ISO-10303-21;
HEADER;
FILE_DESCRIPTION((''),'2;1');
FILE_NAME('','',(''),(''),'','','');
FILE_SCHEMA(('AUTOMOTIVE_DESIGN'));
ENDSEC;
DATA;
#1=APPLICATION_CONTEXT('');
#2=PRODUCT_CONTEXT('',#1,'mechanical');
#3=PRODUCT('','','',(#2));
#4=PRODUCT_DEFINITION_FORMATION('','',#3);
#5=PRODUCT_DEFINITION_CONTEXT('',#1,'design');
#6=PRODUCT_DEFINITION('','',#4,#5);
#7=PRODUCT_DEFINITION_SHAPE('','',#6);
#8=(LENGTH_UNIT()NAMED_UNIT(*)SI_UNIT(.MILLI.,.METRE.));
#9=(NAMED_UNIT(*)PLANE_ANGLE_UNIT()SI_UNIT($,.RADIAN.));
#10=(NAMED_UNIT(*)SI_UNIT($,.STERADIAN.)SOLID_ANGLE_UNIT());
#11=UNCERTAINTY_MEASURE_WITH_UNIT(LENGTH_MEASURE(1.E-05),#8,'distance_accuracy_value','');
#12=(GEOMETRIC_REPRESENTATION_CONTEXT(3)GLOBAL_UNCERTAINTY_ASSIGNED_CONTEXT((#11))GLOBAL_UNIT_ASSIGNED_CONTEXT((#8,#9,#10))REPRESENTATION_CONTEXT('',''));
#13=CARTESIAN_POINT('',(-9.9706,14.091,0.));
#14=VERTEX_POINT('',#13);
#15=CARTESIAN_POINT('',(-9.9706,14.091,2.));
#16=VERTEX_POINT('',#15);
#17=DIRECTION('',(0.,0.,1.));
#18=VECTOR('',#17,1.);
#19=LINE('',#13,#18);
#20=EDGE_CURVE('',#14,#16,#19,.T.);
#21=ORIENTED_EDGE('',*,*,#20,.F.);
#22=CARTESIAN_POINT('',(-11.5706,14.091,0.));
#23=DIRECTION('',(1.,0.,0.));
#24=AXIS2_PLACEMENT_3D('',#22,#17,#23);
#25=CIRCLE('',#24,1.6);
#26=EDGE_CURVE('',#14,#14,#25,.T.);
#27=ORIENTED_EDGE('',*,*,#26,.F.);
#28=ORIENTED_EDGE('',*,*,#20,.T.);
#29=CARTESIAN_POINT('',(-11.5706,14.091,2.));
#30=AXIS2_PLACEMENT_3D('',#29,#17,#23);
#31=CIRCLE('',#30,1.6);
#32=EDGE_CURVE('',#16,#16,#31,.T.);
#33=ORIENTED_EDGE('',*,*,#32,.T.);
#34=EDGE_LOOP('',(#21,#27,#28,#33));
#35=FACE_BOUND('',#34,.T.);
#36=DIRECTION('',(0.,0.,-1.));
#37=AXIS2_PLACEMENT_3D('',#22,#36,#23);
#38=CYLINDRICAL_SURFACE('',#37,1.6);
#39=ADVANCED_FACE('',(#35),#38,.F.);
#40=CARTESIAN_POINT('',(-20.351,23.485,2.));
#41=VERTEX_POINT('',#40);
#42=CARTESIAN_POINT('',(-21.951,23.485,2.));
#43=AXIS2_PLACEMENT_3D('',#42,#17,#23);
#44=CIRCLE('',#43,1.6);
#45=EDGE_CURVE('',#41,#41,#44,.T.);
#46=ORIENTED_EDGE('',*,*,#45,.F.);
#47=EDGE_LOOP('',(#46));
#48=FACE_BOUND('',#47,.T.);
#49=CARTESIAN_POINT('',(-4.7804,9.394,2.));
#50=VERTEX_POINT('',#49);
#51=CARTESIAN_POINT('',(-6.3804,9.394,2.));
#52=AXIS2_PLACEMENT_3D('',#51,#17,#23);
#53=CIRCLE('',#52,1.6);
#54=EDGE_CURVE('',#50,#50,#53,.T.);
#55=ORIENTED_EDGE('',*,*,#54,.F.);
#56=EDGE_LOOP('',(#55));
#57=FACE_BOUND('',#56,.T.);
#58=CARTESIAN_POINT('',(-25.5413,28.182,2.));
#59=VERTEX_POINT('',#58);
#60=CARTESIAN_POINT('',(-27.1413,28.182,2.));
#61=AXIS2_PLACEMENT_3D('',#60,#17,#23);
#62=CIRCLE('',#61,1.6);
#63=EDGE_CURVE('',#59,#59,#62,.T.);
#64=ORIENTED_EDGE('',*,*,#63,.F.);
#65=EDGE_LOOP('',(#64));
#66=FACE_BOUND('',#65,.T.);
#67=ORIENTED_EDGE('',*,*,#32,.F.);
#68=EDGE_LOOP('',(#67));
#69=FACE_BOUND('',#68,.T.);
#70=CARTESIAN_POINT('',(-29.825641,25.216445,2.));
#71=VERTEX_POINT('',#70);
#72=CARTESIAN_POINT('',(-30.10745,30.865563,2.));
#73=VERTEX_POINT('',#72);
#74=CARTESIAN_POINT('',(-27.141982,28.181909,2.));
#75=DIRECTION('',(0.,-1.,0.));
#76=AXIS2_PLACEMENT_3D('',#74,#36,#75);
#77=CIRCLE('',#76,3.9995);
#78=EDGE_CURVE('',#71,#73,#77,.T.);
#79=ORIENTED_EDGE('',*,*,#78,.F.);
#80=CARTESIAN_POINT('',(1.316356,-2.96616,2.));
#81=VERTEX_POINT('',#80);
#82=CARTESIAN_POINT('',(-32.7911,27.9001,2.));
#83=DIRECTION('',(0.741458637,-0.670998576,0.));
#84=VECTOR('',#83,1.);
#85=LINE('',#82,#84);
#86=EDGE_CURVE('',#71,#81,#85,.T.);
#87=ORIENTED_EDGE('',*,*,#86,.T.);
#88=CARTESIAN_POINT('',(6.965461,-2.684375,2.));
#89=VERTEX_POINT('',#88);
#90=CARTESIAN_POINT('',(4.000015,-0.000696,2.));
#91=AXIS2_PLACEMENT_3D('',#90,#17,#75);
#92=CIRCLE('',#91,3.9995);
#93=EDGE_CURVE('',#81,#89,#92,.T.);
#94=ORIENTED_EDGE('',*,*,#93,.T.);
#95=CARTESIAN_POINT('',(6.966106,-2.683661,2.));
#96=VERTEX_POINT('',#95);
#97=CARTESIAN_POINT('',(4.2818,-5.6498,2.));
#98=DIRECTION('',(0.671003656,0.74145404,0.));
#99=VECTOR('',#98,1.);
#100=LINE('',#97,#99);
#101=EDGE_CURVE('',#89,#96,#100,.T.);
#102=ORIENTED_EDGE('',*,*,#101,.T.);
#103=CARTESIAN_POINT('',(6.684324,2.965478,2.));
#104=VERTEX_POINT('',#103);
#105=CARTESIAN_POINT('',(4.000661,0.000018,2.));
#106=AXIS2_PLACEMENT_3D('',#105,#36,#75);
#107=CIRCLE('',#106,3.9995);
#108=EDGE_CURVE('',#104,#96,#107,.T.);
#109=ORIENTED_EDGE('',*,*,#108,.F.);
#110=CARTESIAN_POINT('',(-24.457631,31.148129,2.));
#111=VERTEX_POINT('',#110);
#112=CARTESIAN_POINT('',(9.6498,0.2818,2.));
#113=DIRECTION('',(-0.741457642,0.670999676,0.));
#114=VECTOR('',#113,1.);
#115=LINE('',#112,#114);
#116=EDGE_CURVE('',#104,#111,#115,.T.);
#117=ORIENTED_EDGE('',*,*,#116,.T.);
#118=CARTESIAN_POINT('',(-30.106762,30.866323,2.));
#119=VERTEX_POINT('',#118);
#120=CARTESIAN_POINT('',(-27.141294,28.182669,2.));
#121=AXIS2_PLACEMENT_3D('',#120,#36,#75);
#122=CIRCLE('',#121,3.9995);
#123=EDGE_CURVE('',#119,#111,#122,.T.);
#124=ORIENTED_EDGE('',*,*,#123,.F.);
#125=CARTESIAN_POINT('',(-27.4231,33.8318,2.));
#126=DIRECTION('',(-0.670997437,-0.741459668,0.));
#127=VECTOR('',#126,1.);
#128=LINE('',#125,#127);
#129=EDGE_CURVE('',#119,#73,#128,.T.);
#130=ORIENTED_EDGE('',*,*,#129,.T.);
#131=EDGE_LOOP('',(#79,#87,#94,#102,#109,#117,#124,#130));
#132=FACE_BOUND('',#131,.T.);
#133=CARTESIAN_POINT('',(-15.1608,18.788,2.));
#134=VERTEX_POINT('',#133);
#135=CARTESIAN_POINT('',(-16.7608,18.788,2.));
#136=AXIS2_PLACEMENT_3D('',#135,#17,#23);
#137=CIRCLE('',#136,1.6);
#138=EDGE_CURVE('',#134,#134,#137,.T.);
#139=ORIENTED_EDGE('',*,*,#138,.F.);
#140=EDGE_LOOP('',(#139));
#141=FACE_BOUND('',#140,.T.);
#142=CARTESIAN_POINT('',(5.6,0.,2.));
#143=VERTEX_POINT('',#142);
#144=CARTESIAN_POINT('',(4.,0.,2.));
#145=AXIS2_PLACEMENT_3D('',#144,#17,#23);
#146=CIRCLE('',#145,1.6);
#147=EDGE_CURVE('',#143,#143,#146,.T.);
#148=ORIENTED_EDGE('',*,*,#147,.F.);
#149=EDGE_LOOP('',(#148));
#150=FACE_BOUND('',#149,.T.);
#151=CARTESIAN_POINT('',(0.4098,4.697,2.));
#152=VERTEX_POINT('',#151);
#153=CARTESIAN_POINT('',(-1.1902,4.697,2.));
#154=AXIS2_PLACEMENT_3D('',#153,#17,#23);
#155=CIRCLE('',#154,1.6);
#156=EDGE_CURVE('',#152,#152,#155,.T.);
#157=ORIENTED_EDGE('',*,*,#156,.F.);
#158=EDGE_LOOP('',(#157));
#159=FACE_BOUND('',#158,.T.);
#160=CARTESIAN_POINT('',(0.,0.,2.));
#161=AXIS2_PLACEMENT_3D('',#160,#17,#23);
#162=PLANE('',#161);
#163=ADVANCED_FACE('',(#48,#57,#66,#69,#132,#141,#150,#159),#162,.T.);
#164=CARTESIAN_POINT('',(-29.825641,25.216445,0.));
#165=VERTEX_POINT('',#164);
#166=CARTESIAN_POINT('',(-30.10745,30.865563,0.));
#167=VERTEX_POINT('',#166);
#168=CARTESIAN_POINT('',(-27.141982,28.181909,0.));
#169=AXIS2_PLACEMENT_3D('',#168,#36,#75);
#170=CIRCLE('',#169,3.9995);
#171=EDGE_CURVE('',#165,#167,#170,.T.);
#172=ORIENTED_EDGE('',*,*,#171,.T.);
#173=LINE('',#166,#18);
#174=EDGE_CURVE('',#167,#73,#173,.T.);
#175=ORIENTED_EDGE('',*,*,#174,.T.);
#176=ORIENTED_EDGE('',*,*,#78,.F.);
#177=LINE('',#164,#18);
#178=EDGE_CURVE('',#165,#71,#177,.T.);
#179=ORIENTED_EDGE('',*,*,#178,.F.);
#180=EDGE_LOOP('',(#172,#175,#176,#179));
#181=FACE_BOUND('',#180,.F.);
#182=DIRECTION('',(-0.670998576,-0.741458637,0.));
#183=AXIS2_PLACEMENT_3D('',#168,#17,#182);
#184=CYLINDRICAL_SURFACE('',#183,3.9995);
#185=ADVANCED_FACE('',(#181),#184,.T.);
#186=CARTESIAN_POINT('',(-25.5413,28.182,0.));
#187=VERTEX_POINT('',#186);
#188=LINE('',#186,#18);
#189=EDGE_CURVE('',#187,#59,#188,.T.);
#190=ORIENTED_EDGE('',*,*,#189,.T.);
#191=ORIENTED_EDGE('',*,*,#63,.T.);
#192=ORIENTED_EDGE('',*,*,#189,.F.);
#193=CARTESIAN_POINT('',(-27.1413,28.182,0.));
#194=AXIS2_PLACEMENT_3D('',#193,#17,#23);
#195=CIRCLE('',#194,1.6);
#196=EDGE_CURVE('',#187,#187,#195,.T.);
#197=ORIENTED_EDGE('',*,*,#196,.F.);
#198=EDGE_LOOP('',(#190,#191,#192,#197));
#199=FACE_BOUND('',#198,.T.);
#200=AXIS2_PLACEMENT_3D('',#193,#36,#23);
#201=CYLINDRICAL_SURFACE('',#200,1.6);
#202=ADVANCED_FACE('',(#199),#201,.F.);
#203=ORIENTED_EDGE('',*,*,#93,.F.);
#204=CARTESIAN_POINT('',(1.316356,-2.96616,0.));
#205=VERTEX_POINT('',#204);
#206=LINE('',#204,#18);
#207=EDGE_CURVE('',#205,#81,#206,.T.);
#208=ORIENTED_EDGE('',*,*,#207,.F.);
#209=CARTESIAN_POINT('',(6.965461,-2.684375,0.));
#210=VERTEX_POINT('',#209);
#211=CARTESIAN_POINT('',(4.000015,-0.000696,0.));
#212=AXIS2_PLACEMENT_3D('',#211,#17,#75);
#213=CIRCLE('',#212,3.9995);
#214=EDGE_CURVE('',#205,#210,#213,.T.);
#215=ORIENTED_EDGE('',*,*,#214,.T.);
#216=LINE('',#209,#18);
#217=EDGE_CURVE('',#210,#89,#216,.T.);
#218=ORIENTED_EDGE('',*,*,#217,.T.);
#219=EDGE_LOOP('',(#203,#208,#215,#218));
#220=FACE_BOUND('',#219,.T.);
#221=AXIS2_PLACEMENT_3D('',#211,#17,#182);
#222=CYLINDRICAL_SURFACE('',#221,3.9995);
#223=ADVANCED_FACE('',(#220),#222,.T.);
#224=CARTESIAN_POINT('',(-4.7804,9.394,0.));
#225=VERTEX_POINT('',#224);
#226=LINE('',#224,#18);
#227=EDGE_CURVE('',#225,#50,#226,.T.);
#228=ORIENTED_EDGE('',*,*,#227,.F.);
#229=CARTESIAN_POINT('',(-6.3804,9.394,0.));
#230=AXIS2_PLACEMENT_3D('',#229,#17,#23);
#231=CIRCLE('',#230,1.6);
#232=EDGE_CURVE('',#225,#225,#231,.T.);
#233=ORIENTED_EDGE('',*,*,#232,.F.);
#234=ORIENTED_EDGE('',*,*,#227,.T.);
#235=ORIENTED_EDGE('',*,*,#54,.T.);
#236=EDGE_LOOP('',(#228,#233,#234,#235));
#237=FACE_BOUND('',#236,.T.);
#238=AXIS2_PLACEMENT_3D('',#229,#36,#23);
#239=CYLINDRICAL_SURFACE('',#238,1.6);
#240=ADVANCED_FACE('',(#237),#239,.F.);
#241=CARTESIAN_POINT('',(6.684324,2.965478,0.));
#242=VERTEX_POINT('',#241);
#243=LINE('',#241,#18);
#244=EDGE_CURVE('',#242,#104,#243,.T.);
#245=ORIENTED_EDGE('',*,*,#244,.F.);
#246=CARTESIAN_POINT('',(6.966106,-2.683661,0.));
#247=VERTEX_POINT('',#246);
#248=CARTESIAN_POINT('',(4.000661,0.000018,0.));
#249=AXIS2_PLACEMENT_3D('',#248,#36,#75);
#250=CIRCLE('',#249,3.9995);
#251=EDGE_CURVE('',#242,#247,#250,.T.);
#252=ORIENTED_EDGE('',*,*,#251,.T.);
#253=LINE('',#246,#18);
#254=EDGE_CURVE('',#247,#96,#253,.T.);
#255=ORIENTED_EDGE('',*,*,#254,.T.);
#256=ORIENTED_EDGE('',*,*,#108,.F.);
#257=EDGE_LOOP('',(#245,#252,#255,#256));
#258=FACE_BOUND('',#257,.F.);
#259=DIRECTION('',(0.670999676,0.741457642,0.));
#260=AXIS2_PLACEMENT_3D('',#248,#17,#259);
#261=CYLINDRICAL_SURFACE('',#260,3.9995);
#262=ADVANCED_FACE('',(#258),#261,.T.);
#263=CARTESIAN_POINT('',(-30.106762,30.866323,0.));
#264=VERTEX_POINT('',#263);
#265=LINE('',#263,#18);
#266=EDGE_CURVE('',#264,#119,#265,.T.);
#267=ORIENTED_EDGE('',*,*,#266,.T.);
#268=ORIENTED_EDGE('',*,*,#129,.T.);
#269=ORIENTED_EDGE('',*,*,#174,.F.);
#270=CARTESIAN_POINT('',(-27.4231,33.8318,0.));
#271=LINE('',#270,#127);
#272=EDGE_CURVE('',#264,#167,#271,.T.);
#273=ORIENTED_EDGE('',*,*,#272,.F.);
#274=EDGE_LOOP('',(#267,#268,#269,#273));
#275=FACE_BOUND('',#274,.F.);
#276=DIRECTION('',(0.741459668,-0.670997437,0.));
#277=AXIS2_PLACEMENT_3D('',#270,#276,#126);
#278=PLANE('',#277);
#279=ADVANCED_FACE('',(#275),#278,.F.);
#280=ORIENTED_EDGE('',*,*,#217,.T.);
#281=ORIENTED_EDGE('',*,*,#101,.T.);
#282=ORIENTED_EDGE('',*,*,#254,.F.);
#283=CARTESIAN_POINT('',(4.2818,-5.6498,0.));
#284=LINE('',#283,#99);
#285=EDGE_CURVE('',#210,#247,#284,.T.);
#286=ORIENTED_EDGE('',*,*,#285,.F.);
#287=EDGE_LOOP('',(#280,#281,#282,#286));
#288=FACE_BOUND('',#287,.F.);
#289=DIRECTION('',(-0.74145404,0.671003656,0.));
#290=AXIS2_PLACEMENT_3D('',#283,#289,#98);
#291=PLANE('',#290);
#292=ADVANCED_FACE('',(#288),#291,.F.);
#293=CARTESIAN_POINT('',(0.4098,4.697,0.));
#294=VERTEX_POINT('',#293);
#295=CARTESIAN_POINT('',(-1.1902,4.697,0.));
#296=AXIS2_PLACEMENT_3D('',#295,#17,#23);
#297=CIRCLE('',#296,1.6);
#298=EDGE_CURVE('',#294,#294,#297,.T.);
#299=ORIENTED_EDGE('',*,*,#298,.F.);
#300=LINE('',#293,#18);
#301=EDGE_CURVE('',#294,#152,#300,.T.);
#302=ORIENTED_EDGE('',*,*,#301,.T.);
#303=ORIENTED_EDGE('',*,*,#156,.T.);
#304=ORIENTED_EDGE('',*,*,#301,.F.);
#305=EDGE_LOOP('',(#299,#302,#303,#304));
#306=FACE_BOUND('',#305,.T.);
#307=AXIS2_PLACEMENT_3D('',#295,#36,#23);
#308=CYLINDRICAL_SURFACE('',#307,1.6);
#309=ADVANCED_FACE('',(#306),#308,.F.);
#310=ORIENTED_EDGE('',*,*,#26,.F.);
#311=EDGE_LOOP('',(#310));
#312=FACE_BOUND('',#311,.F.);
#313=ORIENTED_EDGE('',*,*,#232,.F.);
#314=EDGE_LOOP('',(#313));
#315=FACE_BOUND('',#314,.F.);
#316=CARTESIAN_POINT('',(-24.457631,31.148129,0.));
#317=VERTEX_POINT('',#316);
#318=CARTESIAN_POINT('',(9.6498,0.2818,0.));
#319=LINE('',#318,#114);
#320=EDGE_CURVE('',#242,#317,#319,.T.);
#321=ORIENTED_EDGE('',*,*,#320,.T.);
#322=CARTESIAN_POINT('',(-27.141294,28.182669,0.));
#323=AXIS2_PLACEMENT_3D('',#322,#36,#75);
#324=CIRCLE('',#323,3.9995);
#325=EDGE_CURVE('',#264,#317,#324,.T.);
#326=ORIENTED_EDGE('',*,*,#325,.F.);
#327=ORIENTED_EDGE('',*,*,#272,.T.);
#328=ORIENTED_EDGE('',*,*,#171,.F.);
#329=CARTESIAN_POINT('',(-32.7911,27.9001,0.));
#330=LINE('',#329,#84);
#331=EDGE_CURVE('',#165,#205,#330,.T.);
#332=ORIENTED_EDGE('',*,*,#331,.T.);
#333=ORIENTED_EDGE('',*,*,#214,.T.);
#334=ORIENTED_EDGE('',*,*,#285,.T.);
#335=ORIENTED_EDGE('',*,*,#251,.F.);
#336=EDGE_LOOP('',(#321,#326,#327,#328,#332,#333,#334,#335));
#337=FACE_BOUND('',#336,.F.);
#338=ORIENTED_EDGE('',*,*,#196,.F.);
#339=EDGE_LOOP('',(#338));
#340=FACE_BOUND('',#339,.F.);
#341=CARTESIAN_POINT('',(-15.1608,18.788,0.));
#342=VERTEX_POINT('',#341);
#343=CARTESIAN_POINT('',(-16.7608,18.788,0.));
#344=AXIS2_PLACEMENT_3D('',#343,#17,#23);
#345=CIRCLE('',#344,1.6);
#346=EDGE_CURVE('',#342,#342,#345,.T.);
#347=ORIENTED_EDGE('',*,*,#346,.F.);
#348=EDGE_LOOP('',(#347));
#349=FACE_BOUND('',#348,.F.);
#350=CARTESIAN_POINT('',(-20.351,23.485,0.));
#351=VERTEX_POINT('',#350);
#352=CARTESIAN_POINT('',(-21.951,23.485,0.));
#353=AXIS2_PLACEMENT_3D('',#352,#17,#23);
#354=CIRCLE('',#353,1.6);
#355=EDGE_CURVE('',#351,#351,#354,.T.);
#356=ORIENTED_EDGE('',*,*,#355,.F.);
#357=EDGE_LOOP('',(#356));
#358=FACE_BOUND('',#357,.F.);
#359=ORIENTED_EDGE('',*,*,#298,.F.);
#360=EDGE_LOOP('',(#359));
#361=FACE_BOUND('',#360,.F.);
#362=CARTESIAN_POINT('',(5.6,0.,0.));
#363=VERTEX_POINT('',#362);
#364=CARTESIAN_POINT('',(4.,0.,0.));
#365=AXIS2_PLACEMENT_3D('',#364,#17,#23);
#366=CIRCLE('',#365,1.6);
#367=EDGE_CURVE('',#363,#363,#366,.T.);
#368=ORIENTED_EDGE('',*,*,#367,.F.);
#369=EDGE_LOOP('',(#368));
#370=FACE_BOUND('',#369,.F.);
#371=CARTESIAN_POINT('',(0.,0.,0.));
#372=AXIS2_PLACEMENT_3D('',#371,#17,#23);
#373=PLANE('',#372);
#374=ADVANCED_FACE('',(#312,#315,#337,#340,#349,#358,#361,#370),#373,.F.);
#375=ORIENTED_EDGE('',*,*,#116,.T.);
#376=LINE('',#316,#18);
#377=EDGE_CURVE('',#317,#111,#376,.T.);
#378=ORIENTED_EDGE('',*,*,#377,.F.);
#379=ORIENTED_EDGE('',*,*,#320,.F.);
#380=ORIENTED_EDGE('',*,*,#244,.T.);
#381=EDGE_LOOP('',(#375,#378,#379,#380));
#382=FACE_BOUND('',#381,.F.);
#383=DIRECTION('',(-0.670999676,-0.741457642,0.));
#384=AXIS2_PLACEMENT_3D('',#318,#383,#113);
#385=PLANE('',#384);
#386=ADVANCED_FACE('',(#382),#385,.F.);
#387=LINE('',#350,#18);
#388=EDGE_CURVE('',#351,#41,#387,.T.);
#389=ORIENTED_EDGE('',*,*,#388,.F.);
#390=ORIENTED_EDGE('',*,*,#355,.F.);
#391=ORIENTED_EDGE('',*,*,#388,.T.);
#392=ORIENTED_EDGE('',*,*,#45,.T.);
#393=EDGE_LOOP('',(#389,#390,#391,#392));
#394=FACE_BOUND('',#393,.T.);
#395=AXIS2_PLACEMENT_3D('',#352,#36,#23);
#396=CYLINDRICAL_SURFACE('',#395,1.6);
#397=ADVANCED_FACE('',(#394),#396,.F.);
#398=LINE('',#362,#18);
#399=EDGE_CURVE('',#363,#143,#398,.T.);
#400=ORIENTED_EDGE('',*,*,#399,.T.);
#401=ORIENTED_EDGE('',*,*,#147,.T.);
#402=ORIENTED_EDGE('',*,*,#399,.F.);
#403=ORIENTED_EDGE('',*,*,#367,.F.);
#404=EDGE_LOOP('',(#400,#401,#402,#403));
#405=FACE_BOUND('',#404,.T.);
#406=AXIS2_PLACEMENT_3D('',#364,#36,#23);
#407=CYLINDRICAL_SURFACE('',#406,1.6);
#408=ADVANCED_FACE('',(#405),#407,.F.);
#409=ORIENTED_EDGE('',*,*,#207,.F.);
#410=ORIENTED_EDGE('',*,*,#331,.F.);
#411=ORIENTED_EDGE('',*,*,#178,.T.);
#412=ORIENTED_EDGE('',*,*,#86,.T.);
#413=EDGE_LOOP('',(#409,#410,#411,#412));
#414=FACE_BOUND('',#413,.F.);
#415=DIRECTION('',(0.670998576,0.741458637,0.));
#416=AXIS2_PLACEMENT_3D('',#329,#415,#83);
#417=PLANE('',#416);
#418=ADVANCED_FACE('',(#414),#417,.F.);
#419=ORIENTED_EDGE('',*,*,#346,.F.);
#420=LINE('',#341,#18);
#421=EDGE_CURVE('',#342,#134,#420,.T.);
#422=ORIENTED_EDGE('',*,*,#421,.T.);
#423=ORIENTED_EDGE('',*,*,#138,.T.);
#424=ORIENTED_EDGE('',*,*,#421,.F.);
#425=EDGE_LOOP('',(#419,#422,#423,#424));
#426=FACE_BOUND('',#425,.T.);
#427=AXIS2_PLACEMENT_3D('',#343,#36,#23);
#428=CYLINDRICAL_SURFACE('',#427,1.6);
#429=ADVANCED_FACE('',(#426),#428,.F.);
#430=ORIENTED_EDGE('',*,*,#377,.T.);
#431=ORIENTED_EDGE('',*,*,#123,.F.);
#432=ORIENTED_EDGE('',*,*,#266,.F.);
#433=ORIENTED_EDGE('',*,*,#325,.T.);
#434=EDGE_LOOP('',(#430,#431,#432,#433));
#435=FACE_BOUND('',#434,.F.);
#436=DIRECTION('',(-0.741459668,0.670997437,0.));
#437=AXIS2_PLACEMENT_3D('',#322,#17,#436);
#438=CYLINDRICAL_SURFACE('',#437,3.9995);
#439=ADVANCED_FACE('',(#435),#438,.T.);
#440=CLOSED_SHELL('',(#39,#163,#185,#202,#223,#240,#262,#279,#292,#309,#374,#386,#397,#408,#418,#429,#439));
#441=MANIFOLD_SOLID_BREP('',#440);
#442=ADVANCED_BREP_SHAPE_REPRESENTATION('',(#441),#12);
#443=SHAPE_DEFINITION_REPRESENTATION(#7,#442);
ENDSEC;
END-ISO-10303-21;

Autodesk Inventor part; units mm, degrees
ref_plane "YZ Plane" through (0, 0, 0) normal (1, 0, 0) x (0, 1, 0)
ref_plane "XZ Plane" through (0, 0, 0) normal (0, 1, 0) x (-1, 0, 0)
ref_plane "XY Plane" through (0, 0, 0) normal (0, 0, 1) x (1, 0, 0)
sketch "Sketch1" plane through (0, 0, 0) normal (0, 0, 1) x (1, 0, 0)
  line L0 (4.2818, -5.6498) -> (9.6498, 0.2818)
  line L1 (9.6498, 0.2818) -> (-27.4231, 33.8318)
  line L2 (-27.4231, 33.8318) -> (-32.7911, 27.9001)
  line L3 (-32.7911, 27.9001) -> (4.2818, -5.6498)
  circle A0 centre (4, 0) radius 1.6 projected
  circle A1 centre (4, 0) radius 1.6
  circle A2 centre (-1.1902, 4.697) radius 1.6
  circle A3 centre (-6.3804, 9.394) radius 1.6
  circle A4 centre (-11.5706, 14.091) radius 1.6
  circle A5 centre (-16.7608, 18.788) radius 1.6
  circle A6 centre (-21.951, 23.485) radius 1.6
  circle A7 centre (-27.1413, 28.182) radius 1.6
  point P0 (0, 0)
  dimension "d0" = 8
  dimension "d1" = 4
  dimension "d2" = 4
  dimension "d5" = 7
  dimension "d10" = 4
extrude "Extrusion1" add sketch "Sketch1" along normal blind 2
fillet "Fillet1" radius 4 4 edges at (-32.7911, 27.9001, 1) (-27.4231, 33.8318, 1) (4.2818, -5.6498, 1) (9.6498, 0.2818, 1)
equation "\"d1\" = 0.5 * d0"
properties part number "control-arm"
